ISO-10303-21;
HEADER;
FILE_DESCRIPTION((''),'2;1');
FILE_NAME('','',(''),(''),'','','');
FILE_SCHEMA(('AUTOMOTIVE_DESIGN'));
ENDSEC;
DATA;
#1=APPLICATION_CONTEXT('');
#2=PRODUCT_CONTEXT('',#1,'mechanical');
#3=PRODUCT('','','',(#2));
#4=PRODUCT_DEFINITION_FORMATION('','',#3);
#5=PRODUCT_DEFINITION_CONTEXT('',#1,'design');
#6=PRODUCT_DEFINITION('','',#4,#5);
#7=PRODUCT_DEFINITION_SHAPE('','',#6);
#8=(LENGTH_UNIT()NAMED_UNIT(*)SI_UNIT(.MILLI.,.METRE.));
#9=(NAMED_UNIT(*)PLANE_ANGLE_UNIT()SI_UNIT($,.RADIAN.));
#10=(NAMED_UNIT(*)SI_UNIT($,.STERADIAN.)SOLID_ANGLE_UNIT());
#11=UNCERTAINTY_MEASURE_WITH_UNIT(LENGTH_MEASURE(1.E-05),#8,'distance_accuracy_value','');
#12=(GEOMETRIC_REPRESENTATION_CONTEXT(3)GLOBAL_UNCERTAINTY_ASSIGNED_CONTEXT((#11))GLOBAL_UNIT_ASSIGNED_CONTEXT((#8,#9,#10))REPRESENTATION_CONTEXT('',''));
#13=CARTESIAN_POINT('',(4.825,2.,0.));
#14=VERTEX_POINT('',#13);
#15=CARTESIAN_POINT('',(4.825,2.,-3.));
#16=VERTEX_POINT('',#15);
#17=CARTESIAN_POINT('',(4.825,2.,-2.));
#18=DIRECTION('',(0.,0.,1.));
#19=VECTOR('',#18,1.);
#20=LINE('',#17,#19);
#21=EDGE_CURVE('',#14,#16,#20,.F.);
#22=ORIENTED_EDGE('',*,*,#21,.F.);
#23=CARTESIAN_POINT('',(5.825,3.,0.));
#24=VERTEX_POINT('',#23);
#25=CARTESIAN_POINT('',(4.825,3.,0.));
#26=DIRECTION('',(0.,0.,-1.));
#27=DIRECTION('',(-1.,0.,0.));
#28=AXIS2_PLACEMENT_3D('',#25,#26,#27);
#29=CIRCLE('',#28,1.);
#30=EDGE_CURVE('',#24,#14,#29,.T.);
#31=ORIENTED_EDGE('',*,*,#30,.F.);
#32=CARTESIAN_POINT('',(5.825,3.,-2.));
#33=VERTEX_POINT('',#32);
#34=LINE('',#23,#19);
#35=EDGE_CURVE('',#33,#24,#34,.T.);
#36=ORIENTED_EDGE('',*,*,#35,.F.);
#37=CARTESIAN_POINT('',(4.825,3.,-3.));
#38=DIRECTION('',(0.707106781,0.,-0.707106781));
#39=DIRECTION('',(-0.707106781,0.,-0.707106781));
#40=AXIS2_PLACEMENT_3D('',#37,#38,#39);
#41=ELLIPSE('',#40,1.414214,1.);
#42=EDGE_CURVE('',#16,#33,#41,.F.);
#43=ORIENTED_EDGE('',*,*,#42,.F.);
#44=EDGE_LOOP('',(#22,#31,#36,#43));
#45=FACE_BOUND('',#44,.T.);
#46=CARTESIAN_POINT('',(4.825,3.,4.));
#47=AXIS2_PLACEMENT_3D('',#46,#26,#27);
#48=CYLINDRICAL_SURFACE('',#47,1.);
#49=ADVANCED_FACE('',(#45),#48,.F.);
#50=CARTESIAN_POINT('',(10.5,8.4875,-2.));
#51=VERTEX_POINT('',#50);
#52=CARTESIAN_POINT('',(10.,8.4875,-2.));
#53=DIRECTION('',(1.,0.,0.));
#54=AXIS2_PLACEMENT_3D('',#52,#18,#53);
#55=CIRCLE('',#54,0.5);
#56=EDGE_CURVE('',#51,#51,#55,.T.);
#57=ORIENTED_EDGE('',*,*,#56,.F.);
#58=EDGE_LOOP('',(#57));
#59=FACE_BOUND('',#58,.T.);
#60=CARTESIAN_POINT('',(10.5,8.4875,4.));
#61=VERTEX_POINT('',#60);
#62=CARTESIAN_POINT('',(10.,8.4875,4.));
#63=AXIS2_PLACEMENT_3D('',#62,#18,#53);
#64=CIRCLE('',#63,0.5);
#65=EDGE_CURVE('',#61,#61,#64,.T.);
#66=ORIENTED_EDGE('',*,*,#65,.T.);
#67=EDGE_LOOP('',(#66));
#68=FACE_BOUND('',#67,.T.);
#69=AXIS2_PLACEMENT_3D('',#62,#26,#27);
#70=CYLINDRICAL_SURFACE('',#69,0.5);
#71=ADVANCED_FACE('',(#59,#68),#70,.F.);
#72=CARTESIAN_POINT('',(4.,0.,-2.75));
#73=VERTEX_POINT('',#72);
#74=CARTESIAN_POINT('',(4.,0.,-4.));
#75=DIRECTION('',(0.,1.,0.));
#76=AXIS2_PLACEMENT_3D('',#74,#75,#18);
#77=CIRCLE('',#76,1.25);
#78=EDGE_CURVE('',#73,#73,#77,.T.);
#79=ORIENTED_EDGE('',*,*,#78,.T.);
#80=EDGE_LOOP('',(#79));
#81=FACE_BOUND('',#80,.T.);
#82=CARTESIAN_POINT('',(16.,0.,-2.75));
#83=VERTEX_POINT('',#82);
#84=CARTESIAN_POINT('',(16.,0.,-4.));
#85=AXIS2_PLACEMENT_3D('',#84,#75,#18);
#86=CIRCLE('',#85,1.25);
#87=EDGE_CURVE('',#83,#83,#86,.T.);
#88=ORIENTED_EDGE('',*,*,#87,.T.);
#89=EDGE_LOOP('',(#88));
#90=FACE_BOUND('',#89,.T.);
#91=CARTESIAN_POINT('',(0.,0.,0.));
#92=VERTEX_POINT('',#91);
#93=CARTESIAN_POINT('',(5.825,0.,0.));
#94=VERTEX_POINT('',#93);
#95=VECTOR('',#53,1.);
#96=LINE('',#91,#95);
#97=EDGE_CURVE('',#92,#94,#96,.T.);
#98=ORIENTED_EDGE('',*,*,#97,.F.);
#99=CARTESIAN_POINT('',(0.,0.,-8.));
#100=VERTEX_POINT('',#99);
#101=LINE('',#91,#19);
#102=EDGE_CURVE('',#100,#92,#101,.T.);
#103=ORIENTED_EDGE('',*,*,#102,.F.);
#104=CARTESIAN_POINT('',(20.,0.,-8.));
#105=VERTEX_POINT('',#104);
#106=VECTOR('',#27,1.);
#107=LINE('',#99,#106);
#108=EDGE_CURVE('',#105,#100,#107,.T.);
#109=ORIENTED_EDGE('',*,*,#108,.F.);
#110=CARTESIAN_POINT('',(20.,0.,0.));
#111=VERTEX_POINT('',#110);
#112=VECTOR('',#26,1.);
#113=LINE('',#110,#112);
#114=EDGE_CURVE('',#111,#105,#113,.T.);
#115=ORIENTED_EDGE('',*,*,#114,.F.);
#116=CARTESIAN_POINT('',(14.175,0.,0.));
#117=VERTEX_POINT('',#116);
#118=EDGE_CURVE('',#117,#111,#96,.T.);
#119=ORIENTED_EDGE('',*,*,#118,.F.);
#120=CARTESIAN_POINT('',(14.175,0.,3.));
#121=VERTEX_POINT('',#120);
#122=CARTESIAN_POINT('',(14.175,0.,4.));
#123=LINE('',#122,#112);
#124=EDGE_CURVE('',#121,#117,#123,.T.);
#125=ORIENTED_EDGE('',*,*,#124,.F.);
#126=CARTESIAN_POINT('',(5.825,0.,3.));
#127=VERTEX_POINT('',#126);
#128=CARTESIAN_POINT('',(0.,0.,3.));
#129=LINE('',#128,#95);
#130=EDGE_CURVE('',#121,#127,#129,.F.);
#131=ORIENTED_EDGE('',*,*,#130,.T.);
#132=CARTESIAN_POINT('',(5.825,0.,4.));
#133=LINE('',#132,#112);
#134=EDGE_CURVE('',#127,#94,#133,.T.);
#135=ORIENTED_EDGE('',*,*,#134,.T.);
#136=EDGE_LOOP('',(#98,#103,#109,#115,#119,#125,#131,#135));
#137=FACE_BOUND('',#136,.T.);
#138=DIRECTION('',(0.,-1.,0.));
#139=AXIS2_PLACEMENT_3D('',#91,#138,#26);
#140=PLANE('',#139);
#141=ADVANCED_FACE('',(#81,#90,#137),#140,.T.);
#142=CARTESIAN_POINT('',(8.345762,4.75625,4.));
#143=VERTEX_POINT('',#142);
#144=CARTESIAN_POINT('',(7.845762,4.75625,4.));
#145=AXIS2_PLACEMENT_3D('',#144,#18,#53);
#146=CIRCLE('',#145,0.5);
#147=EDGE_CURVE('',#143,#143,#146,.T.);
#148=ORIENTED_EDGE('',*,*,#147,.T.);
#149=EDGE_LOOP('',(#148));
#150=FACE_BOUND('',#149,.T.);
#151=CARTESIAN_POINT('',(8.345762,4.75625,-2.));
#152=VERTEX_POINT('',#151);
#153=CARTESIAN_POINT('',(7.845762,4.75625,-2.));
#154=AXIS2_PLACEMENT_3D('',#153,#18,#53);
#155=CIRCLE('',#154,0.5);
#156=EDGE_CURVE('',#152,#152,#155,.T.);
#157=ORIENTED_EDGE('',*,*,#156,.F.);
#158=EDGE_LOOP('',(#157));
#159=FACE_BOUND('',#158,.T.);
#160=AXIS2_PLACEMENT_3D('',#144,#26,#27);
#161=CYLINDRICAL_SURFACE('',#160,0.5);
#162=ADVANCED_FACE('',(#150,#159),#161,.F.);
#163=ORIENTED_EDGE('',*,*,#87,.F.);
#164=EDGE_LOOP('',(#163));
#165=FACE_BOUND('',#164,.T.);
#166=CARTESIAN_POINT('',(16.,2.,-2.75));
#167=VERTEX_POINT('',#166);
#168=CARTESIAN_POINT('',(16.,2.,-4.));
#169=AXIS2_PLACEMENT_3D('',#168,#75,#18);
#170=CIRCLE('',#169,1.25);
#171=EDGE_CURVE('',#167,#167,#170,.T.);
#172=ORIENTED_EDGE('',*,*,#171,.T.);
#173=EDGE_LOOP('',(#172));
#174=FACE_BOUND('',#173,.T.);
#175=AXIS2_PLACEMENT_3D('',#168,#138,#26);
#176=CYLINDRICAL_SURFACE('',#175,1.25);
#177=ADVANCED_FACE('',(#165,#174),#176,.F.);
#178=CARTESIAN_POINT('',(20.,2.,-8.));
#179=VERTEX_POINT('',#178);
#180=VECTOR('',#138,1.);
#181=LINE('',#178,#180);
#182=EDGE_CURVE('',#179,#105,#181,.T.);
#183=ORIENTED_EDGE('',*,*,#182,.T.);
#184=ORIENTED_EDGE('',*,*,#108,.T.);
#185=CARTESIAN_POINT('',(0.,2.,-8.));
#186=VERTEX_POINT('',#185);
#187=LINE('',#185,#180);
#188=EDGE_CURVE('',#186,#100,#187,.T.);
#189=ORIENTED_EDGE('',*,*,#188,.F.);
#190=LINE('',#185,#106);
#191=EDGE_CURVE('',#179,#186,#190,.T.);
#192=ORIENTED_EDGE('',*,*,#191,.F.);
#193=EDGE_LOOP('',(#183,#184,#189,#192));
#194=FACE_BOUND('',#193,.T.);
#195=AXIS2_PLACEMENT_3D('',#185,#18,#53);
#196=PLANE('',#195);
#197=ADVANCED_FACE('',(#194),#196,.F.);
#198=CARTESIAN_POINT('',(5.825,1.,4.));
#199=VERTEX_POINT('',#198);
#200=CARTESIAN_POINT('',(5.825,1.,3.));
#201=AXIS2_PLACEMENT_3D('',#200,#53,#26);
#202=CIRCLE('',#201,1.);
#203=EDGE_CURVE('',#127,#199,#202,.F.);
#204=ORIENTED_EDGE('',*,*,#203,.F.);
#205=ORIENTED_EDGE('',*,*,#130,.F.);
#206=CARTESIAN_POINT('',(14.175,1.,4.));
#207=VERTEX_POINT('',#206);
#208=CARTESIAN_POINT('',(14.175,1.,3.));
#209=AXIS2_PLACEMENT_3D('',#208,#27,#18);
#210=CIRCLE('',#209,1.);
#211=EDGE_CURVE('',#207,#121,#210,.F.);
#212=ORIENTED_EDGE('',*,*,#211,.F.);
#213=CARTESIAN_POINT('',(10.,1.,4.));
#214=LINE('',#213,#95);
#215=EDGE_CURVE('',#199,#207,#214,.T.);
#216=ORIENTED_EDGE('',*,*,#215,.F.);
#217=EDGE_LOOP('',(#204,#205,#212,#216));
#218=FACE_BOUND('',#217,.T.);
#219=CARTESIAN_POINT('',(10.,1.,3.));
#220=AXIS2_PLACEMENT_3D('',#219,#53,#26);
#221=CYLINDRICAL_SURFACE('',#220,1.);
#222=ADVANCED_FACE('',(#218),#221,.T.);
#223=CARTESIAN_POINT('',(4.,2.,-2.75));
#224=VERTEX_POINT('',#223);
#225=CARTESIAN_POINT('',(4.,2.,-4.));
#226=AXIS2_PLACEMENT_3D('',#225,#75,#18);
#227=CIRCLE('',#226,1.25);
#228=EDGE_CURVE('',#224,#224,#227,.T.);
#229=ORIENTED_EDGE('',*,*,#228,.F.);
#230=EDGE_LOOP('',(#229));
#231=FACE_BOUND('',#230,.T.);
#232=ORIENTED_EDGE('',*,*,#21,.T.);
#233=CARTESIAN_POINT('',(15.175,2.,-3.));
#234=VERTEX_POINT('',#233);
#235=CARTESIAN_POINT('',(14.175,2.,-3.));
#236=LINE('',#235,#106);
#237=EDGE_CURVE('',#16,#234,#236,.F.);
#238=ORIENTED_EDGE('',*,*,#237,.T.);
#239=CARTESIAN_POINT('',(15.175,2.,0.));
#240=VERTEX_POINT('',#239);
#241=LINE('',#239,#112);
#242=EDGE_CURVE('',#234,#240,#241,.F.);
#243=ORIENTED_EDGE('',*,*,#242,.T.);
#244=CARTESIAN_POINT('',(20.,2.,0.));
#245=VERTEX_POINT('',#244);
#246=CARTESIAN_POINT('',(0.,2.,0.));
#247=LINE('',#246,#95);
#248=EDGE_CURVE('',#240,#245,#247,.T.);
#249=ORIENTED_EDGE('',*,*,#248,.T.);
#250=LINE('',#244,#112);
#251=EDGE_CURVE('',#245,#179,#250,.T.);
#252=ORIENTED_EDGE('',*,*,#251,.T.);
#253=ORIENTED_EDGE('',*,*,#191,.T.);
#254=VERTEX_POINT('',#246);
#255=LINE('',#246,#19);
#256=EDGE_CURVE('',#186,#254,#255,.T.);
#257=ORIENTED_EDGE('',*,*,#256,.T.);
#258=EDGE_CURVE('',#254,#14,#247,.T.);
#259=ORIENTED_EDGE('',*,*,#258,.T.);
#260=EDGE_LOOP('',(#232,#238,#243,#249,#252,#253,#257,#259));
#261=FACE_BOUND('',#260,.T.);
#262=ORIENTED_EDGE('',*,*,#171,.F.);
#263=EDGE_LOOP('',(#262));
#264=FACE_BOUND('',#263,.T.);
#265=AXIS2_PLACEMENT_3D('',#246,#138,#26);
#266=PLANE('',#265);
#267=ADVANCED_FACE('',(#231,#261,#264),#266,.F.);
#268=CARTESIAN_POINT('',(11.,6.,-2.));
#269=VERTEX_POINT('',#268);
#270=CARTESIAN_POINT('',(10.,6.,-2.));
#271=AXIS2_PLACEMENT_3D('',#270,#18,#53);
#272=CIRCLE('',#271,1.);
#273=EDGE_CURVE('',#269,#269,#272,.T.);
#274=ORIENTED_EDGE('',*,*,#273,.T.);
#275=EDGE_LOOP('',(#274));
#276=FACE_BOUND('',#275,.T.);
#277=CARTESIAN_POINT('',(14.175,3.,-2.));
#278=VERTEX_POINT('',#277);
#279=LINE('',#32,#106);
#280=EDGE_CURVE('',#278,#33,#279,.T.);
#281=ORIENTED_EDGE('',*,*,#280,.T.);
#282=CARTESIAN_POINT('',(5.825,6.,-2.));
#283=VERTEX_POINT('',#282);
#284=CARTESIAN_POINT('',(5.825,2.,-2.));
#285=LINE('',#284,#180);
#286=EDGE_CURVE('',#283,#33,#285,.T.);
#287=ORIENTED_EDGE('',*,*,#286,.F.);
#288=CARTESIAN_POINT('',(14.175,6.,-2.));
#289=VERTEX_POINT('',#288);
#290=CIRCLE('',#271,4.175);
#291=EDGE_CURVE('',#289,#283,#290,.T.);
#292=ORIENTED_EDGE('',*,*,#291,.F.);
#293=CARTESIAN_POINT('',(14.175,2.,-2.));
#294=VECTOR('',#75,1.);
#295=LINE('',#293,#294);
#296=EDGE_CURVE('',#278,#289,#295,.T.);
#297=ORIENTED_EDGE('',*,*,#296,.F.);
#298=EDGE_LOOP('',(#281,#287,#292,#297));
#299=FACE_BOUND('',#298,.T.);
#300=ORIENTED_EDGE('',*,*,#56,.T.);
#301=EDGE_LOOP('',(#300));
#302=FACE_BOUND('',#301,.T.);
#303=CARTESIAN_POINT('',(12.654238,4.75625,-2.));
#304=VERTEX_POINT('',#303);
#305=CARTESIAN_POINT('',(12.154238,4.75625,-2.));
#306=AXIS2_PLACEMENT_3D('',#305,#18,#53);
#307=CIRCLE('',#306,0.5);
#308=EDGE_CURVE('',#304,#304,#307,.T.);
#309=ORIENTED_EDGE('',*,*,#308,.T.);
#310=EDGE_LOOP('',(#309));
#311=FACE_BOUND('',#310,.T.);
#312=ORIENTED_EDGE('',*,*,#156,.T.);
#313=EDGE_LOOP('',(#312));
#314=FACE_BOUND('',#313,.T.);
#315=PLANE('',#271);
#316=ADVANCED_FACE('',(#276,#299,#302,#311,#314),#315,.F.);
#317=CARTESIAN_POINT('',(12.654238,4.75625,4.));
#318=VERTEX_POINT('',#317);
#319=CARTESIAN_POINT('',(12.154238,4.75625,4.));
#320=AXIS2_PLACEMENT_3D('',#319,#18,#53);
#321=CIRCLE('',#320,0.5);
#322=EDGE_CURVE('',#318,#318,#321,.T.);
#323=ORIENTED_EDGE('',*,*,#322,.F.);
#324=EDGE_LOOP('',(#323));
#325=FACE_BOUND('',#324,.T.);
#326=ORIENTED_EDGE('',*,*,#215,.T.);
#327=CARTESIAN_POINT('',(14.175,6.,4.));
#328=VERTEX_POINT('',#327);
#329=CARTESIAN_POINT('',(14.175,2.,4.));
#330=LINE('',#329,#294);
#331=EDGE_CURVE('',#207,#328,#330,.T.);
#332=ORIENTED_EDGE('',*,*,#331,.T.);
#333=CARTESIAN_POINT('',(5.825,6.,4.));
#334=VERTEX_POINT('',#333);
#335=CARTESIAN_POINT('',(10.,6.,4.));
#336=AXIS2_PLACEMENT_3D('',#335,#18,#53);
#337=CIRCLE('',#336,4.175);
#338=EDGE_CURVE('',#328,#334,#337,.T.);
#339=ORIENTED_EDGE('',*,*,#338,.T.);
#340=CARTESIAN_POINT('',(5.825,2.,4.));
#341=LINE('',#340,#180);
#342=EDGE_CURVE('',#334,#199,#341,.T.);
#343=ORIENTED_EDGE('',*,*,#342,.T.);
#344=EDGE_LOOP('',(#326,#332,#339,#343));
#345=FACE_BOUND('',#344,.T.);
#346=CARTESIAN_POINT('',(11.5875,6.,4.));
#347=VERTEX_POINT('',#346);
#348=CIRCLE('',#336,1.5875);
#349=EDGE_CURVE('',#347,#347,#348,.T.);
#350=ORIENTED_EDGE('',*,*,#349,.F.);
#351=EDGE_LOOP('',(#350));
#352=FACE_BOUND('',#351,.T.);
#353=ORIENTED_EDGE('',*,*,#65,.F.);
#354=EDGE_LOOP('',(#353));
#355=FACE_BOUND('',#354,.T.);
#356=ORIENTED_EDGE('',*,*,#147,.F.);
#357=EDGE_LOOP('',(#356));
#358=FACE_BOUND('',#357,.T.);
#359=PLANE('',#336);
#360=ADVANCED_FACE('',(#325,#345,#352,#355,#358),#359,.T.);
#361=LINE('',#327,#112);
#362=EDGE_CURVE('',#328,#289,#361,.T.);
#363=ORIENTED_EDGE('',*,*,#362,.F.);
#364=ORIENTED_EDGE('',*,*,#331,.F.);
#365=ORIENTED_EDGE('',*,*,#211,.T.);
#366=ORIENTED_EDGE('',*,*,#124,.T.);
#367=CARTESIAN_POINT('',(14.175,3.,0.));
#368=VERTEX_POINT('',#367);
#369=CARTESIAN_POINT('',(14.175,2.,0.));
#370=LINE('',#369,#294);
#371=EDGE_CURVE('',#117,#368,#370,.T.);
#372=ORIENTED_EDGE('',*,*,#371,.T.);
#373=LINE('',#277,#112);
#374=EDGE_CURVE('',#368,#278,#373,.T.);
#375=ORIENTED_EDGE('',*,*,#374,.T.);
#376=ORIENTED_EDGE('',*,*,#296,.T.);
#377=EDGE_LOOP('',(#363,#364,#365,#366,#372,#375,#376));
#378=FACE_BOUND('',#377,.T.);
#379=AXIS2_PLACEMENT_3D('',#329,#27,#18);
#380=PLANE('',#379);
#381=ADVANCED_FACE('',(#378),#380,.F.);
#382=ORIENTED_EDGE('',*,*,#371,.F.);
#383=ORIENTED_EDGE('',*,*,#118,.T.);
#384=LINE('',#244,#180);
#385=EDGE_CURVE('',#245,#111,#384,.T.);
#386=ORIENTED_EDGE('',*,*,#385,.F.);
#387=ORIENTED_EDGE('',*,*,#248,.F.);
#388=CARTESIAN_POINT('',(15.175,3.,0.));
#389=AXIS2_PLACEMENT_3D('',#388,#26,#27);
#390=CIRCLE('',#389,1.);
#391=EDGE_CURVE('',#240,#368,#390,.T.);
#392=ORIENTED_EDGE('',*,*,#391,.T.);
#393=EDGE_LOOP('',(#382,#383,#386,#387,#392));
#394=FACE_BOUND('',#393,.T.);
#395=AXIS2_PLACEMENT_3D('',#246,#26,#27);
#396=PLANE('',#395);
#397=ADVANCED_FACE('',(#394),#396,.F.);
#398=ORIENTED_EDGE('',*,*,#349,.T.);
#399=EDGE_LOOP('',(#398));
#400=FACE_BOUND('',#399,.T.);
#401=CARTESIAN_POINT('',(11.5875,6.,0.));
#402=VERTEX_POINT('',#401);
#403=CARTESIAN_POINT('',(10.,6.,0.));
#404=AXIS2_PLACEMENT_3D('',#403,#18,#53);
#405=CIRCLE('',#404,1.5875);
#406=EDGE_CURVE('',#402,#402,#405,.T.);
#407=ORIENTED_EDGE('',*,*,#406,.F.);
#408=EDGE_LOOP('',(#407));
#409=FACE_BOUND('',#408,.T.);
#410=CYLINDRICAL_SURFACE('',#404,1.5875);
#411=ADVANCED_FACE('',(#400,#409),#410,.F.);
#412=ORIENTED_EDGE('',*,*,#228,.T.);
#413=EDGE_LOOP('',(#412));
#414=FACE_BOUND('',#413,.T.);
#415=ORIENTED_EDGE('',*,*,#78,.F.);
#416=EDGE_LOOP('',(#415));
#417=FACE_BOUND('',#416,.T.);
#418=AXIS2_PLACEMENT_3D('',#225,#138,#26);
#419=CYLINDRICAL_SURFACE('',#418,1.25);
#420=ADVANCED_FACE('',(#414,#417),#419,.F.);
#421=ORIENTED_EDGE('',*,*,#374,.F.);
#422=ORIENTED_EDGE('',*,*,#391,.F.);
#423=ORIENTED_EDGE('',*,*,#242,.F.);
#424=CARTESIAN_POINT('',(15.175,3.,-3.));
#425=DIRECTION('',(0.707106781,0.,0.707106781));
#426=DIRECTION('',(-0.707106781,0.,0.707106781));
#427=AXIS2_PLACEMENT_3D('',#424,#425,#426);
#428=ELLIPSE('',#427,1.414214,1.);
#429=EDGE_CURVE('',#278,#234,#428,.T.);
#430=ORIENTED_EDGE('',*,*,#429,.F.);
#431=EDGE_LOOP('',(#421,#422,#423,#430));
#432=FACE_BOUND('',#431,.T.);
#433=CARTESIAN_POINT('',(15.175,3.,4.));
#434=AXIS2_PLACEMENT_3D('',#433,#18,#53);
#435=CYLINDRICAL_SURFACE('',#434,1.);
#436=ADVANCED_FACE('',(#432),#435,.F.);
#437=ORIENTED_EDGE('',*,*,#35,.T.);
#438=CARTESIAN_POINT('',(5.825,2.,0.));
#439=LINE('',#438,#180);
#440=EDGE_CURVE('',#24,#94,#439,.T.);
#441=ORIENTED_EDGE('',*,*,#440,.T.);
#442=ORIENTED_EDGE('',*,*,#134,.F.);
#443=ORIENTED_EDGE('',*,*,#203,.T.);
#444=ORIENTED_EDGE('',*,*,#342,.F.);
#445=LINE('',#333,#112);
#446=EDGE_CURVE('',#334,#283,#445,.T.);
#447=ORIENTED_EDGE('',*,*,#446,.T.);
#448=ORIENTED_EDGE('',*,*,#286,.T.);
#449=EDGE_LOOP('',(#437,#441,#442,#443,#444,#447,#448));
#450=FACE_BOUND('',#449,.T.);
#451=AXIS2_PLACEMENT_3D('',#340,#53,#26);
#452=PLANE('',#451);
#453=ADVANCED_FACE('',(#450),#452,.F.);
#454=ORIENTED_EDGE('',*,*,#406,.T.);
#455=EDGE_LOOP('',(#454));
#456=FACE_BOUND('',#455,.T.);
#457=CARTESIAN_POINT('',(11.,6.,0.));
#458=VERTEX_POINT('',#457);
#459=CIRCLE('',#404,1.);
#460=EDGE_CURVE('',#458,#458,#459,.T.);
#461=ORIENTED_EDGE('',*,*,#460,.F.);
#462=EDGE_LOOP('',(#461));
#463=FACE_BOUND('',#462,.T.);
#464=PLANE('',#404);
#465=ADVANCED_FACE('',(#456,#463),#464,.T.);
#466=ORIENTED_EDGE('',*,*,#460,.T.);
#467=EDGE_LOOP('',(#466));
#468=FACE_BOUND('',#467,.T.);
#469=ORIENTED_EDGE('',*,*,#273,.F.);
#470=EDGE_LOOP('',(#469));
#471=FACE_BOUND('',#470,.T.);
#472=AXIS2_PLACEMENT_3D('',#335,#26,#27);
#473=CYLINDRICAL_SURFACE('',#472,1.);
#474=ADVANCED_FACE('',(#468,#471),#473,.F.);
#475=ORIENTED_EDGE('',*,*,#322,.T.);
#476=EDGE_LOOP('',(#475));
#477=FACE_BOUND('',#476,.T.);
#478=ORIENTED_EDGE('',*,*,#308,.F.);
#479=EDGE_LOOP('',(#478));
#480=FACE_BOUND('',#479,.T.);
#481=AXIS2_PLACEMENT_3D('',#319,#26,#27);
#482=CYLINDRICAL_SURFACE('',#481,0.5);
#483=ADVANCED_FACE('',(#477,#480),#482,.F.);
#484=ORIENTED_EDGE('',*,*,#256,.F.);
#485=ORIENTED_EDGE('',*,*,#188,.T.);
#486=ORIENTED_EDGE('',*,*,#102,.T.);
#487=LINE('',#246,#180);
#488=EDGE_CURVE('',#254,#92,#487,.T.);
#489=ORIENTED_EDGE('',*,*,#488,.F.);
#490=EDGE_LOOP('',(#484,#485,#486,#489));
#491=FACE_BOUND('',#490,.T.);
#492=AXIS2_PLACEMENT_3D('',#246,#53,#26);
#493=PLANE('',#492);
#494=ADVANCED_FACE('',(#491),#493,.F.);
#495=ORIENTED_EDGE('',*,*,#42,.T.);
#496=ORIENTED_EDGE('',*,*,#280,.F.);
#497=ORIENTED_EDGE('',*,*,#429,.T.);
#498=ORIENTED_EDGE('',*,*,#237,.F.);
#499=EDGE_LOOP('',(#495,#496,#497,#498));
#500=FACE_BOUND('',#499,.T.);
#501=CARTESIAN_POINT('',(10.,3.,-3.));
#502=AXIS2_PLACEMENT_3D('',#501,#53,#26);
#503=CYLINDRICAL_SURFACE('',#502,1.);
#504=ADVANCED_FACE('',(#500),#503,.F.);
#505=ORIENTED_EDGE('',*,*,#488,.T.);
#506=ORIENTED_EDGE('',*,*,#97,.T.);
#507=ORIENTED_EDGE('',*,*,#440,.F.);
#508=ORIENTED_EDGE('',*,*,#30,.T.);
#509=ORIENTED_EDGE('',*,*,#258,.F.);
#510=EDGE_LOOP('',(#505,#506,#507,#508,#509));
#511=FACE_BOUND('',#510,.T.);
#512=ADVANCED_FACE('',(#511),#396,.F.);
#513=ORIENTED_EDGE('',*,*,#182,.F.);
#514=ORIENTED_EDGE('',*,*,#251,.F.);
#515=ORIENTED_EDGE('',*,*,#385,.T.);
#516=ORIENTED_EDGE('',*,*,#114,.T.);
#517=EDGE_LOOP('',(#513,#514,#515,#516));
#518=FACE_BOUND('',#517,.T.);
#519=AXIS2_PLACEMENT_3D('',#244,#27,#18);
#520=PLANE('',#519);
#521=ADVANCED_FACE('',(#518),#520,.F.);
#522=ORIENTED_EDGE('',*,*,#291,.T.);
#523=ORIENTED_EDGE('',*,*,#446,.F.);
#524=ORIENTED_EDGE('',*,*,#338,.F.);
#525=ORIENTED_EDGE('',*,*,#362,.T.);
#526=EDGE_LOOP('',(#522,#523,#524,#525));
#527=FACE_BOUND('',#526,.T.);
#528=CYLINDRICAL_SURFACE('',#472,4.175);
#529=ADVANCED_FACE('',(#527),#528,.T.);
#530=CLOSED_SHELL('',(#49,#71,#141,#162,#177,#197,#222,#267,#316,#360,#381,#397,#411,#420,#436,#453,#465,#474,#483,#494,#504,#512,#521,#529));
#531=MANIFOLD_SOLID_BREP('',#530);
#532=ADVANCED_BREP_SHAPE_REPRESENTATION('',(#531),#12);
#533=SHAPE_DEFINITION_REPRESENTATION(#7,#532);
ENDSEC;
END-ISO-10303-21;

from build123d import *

# Parameters (mm, degrees)
SKETCH1_W                = 20
SKETCH1_H                = 8
SKETCH1_R                = 1.25
BOSS_EXTRUDE1_DEPTH      = 2
BOSS_EXTRUDE2_DEPTH      = 4
BOSS_EXTRUDE2_DEPTH_BACK = 2
SKETCH3_R                = 0.5
SKETCH3_R_2              = 1
SKETCH5_R                = 1.5875
CUT_EXTRUDE1_DEPTH       = 4
FILLET1_R                = 1


with BuildPart() as part:
    # Sketch1 → Boss-Extrude1 (new body)
    with BuildSketch(Plane(origin=(0, 0, 0), x_dir=(1, 0, 0), z_dir=(0, 1, 0))):
        with Locations((10, 4)):
            Rectangle(SKETCH1_W, SKETCH1_H)
        with Locations(Location((4, 4, 0), (0, 0, 270))):
            Circle(SKETCH1_R, mode=Mode.SUBTRACT)
        with Locations(Location((16, 4, 0), (0, 0, 270))):
            Circle(SKETCH1_R, mode=Mode.SUBTRACT)
    extrude(amount=BOSS_EXTRUDE1_DEPTH)

    # Sketch3 → Boss-Extrude2 (add, two sides: drawn at the far end of the back side and taken through both)
    with BuildSketch(Plane.XY.offset(-BOSS_EXTRUDE2_DEPTH_BACK)):
        with BuildLine():
            Line((5.825, 2), (5.825, 6))
            ThreePointArc((5.825, 6), (10, 10.175), (14.175, 6))
            Line((14.175, 6), (14.175, 2))
            Line((14.175, 2), (14.175, 0))
            Line((14.175, 0), (5.825, 0))
            Line((5.825, 0), (5.825, 2))
        make_face()
        with Locations((10, 8.4875)):
            Circle(SKETCH3_R, mode=Mode.SUBTRACT)
        with Locations((12.154238192, 4.75625)):
            Circle(SKETCH3_R, mode=Mode.SUBTRACT)
        with Locations((7.845761808, 4.75625)):
            Circle(SKETCH3_R, mode=Mode.SUBTRACT)
        with Locations((10, 6)):
            Circle(SKETCH3_R_2, mode=Mode.SUBTRACT)
    extrude(amount=BOSS_EXTRUDE2_DEPTH + BOSS_EXTRUDE2_DEPTH_BACK)

    # Sketch5 → Cut-Extrude1 (cut)
    with BuildSketch(Plane.XY.offset(4)):
        with Locations((10, 6)):
            Circle(SKETCH5_R)
    extrude(amount=-CUT_EXTRUDE1_DEPTH, mode=Mode.SUBTRACT)

    # Fillet1
    fillet1_edges = [part.edges().sort_by_distance(p)[0] for p in [
        (10, 2, -2),
        (14.175, 2, -1),
        (5.825, 2, -1),
        (10, 0, 4),
    ]]
    fillet(fillet1_edges, radius=FILLET1_R)


solid = part.part
